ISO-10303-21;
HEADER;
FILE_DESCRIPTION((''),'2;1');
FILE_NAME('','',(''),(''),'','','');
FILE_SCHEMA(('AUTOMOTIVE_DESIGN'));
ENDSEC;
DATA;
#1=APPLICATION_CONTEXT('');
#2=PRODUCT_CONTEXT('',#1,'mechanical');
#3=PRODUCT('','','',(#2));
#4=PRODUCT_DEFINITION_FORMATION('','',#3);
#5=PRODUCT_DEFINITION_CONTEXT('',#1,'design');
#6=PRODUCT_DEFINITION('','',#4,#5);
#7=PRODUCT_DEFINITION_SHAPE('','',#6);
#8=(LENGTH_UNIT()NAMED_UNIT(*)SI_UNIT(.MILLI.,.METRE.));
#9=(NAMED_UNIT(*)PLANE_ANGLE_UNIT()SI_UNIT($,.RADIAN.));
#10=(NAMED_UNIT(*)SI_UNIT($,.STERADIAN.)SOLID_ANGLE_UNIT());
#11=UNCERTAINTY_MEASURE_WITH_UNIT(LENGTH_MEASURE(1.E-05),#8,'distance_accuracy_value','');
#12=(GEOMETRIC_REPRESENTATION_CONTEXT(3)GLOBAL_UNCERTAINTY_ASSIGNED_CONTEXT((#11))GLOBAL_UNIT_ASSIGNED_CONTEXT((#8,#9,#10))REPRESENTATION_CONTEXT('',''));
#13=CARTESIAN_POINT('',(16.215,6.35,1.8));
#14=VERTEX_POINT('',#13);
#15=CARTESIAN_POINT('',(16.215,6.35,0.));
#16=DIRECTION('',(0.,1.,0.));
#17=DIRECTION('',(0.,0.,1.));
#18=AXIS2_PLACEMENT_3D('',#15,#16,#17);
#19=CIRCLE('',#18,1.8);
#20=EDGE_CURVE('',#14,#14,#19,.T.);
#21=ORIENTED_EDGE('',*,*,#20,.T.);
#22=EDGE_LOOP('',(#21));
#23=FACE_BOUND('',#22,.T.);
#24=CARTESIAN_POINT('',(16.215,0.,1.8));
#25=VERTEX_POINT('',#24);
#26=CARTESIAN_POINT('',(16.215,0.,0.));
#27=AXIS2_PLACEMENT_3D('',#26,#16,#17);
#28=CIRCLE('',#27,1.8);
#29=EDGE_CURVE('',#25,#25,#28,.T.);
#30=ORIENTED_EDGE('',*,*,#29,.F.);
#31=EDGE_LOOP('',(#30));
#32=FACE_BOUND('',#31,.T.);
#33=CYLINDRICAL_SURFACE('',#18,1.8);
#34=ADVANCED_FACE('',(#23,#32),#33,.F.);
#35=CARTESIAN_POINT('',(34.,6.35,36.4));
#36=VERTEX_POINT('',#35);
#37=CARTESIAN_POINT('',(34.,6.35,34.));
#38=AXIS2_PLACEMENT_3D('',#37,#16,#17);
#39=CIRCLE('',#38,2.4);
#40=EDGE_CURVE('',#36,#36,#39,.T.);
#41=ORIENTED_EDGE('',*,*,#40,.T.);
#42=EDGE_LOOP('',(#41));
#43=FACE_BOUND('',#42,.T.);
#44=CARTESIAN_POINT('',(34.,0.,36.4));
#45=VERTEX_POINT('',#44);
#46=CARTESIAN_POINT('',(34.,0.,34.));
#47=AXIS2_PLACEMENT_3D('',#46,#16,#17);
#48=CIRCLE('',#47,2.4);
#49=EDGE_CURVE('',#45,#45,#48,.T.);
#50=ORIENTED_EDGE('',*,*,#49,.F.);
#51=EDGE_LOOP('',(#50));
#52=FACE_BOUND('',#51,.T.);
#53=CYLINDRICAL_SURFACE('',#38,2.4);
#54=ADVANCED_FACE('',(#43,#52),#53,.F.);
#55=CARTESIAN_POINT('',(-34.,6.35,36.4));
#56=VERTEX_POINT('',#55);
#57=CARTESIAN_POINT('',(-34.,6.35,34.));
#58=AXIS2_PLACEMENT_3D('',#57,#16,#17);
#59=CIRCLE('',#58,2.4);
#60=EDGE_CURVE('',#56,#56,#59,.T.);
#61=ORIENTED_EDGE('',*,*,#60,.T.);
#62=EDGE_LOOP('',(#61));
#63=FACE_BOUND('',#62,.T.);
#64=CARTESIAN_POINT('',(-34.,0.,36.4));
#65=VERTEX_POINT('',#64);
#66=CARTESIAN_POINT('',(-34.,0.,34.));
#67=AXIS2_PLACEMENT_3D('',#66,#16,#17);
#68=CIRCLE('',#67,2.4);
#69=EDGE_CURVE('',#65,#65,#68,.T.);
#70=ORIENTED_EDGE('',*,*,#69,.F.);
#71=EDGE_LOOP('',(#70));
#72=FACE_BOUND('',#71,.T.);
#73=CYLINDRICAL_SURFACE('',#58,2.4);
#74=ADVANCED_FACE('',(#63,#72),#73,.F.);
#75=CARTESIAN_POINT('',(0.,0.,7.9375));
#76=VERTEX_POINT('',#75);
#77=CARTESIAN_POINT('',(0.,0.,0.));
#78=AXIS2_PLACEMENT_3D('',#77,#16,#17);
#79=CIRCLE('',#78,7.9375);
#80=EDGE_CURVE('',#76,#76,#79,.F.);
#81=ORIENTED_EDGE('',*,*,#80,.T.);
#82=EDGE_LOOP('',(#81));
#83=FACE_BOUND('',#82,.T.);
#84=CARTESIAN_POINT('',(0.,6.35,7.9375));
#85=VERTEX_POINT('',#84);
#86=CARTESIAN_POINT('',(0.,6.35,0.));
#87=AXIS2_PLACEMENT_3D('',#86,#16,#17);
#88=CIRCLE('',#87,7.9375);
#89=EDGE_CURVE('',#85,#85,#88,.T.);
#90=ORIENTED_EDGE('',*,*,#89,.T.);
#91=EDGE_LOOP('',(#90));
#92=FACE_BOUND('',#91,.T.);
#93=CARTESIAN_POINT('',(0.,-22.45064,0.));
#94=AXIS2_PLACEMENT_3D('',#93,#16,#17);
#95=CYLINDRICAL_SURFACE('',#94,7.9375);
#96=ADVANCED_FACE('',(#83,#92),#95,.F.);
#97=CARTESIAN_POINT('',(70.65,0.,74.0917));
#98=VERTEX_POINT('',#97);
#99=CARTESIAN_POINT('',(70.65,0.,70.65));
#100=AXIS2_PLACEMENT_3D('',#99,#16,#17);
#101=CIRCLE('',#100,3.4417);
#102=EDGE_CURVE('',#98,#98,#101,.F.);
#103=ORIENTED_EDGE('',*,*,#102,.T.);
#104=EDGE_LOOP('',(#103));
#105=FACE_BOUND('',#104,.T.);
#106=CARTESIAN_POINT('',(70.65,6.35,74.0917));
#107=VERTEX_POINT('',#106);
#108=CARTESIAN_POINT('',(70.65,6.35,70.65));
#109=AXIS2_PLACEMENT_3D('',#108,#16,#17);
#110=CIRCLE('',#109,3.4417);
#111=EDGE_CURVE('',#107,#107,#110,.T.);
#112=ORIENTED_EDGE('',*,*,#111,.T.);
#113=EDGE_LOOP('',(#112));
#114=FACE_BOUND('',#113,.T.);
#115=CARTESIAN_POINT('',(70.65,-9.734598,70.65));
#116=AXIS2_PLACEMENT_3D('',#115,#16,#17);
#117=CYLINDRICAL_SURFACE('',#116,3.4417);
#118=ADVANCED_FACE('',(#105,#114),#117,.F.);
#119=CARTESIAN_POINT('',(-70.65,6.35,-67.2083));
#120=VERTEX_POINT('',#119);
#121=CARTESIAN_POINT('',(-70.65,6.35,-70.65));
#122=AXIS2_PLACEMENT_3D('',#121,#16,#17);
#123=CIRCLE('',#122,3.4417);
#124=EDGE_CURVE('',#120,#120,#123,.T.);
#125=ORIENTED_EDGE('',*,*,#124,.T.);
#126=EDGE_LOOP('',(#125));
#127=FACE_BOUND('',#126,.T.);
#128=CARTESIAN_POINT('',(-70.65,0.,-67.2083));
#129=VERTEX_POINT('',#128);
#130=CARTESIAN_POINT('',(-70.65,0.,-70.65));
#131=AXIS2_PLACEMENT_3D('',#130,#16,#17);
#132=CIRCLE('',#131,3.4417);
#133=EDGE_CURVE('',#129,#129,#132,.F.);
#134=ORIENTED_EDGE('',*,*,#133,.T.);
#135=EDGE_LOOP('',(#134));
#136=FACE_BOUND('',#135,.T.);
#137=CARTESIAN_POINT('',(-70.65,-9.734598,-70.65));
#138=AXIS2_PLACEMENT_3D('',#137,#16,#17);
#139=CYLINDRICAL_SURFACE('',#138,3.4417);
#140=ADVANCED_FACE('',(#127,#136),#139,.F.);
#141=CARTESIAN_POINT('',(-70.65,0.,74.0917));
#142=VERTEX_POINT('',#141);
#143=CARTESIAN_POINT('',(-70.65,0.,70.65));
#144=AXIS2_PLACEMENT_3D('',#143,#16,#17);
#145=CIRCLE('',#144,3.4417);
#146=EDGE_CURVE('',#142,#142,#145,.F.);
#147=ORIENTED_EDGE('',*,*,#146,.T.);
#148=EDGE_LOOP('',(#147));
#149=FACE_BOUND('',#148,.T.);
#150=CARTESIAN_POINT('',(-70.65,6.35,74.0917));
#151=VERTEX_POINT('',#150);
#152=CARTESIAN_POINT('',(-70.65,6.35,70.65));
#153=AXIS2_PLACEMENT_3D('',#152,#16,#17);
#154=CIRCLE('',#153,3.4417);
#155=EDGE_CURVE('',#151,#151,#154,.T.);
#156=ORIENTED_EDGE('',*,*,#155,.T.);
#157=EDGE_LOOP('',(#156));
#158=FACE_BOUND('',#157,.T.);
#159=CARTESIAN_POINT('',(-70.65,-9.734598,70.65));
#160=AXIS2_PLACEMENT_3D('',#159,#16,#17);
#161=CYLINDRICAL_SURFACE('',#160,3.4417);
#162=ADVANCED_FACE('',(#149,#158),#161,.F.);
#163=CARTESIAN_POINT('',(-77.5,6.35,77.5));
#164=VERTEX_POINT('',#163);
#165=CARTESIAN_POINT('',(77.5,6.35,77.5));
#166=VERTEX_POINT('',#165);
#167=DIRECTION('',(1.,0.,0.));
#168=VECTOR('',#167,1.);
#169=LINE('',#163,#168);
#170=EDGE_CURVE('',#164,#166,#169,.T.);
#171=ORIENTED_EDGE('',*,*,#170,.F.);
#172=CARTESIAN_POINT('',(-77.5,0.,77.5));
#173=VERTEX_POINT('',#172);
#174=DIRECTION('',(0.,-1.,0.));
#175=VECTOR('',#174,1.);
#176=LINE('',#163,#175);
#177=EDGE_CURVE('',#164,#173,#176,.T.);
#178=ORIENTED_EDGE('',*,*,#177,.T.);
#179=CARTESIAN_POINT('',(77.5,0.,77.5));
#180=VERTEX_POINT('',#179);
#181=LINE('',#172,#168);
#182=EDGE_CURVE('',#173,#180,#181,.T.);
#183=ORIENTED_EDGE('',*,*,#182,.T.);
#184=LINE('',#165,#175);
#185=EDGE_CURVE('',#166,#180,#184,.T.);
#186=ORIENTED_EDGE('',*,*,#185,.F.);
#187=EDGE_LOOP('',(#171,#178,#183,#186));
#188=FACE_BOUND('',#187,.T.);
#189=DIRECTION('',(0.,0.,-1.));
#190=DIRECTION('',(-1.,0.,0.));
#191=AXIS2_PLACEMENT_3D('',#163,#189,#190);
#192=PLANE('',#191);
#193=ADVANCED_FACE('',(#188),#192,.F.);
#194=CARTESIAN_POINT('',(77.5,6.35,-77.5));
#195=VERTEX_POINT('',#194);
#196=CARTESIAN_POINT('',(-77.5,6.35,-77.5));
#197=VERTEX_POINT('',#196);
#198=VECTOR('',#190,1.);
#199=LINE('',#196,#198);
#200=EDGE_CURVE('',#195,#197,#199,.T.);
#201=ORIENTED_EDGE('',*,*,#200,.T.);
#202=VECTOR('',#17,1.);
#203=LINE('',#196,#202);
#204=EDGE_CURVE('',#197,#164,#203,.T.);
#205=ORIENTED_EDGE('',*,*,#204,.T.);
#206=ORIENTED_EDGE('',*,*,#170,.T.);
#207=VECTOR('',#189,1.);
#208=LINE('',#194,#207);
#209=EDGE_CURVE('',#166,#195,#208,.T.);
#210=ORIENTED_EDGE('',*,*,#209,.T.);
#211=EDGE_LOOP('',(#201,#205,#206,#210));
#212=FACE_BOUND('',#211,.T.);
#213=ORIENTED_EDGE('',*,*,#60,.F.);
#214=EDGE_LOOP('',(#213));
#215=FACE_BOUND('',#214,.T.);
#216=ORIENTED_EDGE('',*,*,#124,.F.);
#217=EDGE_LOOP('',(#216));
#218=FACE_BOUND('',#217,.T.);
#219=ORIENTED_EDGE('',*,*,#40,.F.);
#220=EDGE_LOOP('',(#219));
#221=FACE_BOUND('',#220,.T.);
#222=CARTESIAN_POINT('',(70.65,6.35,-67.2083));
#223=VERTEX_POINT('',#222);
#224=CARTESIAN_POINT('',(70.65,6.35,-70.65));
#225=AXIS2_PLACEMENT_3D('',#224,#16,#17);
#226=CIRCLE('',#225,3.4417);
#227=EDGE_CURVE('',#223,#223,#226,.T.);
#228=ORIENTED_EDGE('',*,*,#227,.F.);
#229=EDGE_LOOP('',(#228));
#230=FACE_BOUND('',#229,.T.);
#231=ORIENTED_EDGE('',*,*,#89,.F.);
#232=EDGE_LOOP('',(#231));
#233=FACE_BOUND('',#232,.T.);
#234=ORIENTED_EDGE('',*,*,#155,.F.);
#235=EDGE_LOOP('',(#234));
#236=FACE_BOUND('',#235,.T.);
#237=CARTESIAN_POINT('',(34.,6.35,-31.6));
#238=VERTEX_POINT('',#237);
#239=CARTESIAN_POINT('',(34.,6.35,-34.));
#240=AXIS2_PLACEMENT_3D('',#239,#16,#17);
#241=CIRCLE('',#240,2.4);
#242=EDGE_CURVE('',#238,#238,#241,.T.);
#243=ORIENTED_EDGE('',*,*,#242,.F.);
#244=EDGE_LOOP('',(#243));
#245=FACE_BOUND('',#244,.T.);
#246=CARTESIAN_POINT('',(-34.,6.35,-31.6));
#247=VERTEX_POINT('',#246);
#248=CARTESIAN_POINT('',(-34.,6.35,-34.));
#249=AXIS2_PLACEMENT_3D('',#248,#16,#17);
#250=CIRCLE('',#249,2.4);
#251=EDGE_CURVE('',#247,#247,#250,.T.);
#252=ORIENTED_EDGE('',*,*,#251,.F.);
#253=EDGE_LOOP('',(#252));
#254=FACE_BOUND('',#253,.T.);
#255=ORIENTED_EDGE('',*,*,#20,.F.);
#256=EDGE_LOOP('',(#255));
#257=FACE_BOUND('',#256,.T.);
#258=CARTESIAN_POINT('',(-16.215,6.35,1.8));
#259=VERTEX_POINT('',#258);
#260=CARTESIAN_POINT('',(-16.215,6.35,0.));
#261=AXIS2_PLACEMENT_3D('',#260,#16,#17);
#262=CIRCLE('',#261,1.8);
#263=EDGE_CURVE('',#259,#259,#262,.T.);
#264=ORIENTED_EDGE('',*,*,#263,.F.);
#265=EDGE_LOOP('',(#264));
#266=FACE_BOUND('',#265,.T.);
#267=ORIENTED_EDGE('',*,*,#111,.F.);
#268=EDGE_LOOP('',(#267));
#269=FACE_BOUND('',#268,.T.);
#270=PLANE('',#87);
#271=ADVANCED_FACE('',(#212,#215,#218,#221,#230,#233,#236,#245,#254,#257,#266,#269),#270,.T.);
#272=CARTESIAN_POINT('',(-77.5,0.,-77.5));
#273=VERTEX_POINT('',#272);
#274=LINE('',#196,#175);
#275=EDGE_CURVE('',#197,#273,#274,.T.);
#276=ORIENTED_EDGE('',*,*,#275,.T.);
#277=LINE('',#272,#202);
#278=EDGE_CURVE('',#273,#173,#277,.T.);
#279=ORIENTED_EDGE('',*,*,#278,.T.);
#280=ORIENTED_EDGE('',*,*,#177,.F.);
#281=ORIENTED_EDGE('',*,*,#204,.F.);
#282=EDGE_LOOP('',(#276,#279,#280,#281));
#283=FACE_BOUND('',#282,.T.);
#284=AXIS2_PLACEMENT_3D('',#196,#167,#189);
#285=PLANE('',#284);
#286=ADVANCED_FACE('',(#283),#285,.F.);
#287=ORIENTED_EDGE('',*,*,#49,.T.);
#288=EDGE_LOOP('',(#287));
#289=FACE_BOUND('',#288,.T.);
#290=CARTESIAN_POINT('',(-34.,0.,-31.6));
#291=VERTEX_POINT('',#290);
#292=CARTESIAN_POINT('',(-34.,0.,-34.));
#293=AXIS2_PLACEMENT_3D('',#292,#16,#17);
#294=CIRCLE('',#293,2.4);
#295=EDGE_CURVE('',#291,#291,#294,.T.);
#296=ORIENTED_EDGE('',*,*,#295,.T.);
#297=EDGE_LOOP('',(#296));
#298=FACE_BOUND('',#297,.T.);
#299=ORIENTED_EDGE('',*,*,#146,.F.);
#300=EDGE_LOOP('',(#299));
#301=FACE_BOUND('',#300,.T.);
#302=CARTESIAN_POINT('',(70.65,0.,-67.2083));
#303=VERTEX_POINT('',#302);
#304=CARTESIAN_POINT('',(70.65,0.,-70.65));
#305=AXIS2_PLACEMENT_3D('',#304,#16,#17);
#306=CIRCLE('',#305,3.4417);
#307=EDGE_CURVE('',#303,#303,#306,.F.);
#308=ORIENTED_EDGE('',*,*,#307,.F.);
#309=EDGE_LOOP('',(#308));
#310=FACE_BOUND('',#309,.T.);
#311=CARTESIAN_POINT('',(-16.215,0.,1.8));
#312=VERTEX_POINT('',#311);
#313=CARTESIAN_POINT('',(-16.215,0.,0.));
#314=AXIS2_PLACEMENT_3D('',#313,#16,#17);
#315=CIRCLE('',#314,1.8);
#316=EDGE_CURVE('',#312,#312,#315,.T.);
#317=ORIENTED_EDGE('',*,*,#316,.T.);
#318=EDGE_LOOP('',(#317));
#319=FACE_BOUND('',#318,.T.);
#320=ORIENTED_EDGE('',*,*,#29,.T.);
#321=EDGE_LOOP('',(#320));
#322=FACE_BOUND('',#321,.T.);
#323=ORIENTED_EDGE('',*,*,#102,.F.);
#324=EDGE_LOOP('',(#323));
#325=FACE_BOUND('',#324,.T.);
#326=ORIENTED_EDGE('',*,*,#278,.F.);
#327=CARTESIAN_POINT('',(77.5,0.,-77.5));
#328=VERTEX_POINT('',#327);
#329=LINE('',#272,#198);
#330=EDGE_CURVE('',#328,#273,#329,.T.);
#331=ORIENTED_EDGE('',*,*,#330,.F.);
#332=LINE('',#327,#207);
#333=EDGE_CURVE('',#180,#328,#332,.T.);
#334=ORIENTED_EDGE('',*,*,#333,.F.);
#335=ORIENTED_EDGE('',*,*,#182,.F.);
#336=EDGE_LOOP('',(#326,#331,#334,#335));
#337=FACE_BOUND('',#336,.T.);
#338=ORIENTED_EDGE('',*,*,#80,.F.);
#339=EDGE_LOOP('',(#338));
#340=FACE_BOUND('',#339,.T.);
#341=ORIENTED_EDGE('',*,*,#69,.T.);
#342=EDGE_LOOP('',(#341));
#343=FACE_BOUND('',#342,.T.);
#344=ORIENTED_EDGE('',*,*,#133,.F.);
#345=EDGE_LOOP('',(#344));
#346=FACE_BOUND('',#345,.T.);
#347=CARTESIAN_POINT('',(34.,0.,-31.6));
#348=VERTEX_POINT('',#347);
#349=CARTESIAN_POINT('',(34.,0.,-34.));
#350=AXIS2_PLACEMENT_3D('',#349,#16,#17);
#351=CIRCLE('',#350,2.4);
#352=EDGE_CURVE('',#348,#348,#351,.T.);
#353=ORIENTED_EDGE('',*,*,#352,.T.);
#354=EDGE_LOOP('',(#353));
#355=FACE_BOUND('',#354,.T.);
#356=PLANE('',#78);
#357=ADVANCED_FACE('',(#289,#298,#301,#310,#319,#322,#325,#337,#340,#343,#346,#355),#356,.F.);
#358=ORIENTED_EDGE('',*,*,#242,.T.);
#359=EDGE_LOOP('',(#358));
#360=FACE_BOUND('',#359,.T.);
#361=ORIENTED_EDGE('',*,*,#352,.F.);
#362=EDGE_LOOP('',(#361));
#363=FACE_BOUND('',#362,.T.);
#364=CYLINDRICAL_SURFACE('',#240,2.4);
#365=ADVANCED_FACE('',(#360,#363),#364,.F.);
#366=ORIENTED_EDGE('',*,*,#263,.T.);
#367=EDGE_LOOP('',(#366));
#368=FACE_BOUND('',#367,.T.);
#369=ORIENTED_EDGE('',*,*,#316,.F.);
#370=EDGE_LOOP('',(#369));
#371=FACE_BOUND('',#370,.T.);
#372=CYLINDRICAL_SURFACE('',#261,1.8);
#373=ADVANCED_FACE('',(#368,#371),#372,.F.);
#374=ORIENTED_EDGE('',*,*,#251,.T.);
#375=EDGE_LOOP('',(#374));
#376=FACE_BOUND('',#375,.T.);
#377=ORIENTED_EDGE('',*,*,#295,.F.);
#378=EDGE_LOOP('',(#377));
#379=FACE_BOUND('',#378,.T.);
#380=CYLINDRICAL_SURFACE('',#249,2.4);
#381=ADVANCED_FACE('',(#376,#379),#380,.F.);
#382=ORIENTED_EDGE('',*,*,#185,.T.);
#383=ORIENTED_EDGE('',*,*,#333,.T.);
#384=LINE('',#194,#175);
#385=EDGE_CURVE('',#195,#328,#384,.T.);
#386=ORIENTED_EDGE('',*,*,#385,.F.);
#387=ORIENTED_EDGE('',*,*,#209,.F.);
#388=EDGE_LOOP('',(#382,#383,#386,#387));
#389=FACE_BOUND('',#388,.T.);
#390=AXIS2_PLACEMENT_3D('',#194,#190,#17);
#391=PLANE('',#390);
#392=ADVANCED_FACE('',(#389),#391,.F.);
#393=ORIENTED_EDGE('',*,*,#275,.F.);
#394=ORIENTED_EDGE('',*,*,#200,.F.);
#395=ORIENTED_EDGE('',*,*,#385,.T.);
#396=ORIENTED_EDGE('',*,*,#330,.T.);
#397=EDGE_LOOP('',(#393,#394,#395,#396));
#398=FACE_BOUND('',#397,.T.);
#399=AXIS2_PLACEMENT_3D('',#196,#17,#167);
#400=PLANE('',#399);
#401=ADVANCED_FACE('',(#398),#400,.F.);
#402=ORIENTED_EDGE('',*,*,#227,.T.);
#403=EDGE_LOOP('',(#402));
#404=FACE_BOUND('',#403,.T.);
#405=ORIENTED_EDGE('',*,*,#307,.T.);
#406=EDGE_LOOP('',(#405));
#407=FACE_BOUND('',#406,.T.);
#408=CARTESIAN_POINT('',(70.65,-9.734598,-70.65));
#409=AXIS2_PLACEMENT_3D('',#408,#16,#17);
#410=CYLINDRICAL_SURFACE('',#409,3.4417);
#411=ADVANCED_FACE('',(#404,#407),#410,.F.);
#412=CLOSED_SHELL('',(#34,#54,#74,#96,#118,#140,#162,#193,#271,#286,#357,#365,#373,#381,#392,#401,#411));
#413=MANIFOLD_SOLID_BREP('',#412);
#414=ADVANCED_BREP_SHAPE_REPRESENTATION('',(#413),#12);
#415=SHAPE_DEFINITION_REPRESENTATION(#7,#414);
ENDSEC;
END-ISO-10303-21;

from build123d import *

# Parameters (mm, degrees)
ESQUISSE1_W                   = 155
ESQUISSE1_H                   = 155
BOSS_EXTRU_1_DEPTH            = 6.35
ESQUISSE3_R                   = 3.4417
LAZY_SUSAN_BOLT_PATTERN_DEPTH = 6.35
ESQUISSE4_R                   = 7.9375
ENL_V_MAT_EXTRU_2_DEPTH       = 6.35
D_GAGEMENT_M41_D              = 4.8
D_GAGEMENT_M31_D              = 3.6


with BuildPart() as part:
    # Esquisse1 → Boss.-Extru.1 (new body)
    with BuildSketch(Plane(origin=(0, 0, 0), x_dir=(1, 0, 0), z_dir=(0, 1, 0))):
        Rectangle(ESQUISSE1_W, ESQUISSE1_H)
    extrude(amount=BOSS_EXTRU_1_DEPTH)

    # Esquisse3 → lazy_susan_bolt_pattern (cut)
    with BuildSketch(Plane(origin=(0, 6.35, 0), x_dir=(1, 0, 0), z_dir=(0, 1, 0))):
        with Locations(Location((-70.65, 70.65, 0), (0, 0, 270))):
            Circle(ESQUISSE3_R)
        with Locations(Location((70.65, 70.65, 0), (0, 0, 270))):
            Circle(ESQUISSE3_R)
        with Locations(Location((70.65, -70.65, 0), (0, 0, 270))):
            Circle(ESQUISSE3_R)
        with Locations(Location((-70.65, -70.65, 0), (0, 0, 270))):
            Circle(ESQUISSE3_R)
    extrude(amount=-LAZY_SUSAN_BOLT_PATTERN_DEPTH, mode=Mode.SUBTRACT)

    # Esquisse4 → Enlèv. mat.-Extru.2 (cut)
    with BuildSketch(Plane(origin=(0, 6.35, 0), x_dir=(1, 0, 0), z_dir=(0, 1, 0))):
        with Locations(Location((0, 0, 0), (0, 0, 270))):
            Circle(ESQUISSE4_R)
    extrude(amount=-ENL_V_MAT_EXTRU_2_DEPTH, mode=Mode.SUBTRACT)

    # Dégagement M41 (through all)
    with Locations(Plane(origin=(0, 6.35, 0), x_dir=(1, 0, 0), z_dir=(0, 1, 0))):
        with Locations((-34, 34), (34, 34), (34, -34), (-34, -34)):
            Hole(D_GAGEMENT_M41_D / 2)

    # Dégagement M31 (through all)
    with Locations(Plane(origin=(0, 6.35, 0), x_dir=(1, 0, 0), z_dir=(0, 1, 0))):
        with Locations((16.215, 0), (-16.215, 0)):
            Hole(D_GAGEMENT_M31_D / 2)


solid = part.part
